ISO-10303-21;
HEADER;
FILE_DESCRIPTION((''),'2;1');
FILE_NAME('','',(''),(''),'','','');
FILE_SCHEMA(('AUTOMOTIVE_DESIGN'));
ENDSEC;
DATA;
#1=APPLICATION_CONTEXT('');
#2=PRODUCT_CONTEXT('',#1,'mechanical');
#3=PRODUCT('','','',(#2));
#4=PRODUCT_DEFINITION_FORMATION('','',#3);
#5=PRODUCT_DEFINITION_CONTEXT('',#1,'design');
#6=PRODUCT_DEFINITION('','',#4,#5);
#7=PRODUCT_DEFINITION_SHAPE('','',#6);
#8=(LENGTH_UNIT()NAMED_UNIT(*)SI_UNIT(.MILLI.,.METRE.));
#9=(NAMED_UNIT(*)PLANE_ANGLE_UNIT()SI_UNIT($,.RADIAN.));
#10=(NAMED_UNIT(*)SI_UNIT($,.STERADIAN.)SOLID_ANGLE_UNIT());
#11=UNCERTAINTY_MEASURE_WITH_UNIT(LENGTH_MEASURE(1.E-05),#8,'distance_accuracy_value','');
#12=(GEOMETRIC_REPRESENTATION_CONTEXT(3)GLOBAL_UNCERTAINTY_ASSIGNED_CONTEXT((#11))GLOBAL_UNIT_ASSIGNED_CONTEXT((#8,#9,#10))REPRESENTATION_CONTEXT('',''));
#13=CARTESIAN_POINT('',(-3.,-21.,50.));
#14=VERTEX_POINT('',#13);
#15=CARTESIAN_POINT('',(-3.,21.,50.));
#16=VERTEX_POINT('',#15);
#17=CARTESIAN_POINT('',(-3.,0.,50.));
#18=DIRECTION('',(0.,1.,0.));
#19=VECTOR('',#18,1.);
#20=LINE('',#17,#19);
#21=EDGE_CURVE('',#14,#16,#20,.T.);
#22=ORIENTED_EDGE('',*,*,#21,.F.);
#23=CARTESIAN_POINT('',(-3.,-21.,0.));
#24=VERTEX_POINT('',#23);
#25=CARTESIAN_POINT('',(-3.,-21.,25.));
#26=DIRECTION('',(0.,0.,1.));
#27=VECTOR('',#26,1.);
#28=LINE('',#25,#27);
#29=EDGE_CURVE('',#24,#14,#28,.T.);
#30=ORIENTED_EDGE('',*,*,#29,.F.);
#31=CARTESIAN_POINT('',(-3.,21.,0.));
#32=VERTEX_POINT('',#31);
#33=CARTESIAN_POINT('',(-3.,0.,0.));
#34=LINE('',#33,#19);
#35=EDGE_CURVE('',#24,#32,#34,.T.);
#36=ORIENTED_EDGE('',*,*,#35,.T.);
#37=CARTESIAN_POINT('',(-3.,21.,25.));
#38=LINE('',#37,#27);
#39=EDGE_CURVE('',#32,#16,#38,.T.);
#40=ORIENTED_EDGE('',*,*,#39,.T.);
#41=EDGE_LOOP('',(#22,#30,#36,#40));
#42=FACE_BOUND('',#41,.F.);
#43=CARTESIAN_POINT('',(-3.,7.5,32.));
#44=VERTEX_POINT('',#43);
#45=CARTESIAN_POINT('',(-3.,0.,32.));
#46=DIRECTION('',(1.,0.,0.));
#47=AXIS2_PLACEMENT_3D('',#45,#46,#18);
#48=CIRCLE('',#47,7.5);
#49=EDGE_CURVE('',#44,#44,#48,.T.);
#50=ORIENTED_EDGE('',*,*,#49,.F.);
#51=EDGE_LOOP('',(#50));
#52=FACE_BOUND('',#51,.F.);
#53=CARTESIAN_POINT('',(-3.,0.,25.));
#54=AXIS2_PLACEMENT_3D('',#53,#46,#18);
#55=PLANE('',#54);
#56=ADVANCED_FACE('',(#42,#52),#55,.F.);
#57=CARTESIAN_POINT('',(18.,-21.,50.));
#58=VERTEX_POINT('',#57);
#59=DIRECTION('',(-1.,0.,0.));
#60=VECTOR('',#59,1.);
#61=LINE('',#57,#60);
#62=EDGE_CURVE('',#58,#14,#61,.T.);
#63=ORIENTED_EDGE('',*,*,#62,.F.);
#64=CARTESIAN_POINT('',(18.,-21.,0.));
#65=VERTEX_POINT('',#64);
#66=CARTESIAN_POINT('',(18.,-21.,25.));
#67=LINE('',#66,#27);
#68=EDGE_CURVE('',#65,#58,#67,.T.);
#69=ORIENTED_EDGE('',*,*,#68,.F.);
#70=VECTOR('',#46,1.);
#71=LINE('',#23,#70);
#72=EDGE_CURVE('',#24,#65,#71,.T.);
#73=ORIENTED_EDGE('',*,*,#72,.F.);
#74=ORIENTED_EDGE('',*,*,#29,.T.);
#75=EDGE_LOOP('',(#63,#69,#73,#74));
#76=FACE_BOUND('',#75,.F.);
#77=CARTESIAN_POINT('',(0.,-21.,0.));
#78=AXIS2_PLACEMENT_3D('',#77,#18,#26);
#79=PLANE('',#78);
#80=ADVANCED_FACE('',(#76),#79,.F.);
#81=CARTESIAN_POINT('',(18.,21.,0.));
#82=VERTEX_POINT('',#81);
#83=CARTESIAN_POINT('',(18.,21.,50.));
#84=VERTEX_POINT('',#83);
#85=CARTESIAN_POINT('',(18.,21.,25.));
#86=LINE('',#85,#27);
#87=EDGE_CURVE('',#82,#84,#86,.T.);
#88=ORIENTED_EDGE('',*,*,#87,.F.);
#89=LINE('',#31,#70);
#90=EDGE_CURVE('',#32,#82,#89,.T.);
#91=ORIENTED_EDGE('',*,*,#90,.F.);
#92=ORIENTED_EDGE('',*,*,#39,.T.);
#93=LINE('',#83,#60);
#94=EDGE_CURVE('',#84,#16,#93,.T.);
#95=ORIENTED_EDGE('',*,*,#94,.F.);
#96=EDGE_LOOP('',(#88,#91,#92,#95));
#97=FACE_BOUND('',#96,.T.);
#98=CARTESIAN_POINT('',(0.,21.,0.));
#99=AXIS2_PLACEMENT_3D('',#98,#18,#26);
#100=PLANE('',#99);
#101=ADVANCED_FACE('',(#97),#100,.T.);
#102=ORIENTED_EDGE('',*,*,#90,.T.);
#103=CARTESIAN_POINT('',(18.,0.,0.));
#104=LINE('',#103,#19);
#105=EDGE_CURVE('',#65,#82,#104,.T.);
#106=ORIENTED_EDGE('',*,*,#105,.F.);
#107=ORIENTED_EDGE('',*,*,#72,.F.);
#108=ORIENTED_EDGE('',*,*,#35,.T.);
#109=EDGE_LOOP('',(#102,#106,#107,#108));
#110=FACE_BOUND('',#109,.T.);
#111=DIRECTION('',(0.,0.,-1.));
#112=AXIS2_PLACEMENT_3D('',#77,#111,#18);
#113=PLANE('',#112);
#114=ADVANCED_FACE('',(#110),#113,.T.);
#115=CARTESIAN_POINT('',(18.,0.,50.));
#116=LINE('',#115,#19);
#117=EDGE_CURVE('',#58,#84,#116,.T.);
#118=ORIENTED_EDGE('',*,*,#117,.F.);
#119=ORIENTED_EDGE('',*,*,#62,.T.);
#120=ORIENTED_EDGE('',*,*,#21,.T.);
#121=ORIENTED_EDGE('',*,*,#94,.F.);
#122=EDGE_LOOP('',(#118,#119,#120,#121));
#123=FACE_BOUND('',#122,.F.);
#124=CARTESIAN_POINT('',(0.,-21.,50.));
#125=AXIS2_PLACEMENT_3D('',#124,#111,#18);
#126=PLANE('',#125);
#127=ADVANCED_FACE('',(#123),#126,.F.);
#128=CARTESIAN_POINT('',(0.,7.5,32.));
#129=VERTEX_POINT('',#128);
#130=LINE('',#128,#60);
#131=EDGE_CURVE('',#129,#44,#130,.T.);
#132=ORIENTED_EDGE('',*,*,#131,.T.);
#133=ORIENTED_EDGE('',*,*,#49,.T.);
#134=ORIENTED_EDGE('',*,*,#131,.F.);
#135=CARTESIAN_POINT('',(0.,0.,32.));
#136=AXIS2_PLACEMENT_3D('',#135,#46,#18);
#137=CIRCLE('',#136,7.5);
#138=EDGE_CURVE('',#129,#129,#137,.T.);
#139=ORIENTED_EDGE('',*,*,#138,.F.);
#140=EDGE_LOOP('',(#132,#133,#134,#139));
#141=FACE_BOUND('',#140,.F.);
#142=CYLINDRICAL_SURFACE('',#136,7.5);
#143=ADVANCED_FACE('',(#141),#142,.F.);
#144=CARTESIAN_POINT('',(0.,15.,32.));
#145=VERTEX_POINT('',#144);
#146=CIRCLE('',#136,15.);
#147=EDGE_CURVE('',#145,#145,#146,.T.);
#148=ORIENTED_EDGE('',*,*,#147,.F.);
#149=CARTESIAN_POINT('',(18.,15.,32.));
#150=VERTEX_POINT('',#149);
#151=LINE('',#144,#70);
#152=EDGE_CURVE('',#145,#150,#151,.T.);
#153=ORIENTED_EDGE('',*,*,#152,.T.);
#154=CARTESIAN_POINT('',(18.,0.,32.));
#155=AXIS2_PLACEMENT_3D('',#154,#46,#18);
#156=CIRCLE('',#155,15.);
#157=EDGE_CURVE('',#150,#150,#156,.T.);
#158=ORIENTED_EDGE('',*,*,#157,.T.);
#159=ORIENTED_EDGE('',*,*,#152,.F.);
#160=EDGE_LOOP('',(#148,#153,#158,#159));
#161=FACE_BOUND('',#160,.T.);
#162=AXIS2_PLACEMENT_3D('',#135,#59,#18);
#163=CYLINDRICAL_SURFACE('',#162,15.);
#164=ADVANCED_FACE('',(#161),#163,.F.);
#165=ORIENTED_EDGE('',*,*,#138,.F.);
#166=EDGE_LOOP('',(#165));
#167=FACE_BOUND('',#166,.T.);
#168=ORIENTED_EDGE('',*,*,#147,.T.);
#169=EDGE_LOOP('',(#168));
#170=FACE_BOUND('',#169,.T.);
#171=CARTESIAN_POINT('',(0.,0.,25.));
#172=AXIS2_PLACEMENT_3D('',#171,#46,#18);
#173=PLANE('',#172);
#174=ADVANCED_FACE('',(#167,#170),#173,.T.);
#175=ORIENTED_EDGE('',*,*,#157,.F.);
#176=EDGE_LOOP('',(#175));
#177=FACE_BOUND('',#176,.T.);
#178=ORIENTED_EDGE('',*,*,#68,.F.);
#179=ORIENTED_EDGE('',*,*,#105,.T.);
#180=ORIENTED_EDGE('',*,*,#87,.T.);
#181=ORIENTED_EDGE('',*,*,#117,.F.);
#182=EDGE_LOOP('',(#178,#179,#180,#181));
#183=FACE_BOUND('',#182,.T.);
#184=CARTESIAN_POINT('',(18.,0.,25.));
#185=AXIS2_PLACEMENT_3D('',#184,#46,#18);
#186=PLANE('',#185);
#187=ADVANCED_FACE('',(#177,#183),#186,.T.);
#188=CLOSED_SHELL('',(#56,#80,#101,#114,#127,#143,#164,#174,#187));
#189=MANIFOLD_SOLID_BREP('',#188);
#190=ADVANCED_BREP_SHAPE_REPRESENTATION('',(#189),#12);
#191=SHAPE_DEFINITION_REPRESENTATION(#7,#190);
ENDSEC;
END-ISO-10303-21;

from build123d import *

# Parameters (mm, degrees)
F0_W     = 42
F0_H     = 50
F0_R     = 15
F1_DEPTH = 18
F0_R_2   = 7.5
F2_DEPTH = 3


with BuildPart() as f1:
    # F0 (on Right) → F1 (new body)
    with BuildSketch(Plane.YZ):
        with Locations((0, 25)):
            Rectangle(F0_W, F0_H)
        with Locations((0, 32)):
            Circle(F0_R, mode=Mode.SUBTRACT)
    extrude(amount=F1_DEPTH)

    # F0 (on Right) → F2 (join)
    with BuildSketch(Plane.YZ):
        with Locations((0, 25)):
            Rectangle(F0_W, F0_H)
        with Locations((0, 32)):
            Circle(F0_R, mode=Mode.SUBTRACT)
        with Locations((0, 32)):
            Circle(F0_R)
        with Locations((0, 32)):
            Circle(F0_R_2, mode=Mode.SUBTRACT)
    extrude(amount=-F2_DEPTH)


solid = f1.part
